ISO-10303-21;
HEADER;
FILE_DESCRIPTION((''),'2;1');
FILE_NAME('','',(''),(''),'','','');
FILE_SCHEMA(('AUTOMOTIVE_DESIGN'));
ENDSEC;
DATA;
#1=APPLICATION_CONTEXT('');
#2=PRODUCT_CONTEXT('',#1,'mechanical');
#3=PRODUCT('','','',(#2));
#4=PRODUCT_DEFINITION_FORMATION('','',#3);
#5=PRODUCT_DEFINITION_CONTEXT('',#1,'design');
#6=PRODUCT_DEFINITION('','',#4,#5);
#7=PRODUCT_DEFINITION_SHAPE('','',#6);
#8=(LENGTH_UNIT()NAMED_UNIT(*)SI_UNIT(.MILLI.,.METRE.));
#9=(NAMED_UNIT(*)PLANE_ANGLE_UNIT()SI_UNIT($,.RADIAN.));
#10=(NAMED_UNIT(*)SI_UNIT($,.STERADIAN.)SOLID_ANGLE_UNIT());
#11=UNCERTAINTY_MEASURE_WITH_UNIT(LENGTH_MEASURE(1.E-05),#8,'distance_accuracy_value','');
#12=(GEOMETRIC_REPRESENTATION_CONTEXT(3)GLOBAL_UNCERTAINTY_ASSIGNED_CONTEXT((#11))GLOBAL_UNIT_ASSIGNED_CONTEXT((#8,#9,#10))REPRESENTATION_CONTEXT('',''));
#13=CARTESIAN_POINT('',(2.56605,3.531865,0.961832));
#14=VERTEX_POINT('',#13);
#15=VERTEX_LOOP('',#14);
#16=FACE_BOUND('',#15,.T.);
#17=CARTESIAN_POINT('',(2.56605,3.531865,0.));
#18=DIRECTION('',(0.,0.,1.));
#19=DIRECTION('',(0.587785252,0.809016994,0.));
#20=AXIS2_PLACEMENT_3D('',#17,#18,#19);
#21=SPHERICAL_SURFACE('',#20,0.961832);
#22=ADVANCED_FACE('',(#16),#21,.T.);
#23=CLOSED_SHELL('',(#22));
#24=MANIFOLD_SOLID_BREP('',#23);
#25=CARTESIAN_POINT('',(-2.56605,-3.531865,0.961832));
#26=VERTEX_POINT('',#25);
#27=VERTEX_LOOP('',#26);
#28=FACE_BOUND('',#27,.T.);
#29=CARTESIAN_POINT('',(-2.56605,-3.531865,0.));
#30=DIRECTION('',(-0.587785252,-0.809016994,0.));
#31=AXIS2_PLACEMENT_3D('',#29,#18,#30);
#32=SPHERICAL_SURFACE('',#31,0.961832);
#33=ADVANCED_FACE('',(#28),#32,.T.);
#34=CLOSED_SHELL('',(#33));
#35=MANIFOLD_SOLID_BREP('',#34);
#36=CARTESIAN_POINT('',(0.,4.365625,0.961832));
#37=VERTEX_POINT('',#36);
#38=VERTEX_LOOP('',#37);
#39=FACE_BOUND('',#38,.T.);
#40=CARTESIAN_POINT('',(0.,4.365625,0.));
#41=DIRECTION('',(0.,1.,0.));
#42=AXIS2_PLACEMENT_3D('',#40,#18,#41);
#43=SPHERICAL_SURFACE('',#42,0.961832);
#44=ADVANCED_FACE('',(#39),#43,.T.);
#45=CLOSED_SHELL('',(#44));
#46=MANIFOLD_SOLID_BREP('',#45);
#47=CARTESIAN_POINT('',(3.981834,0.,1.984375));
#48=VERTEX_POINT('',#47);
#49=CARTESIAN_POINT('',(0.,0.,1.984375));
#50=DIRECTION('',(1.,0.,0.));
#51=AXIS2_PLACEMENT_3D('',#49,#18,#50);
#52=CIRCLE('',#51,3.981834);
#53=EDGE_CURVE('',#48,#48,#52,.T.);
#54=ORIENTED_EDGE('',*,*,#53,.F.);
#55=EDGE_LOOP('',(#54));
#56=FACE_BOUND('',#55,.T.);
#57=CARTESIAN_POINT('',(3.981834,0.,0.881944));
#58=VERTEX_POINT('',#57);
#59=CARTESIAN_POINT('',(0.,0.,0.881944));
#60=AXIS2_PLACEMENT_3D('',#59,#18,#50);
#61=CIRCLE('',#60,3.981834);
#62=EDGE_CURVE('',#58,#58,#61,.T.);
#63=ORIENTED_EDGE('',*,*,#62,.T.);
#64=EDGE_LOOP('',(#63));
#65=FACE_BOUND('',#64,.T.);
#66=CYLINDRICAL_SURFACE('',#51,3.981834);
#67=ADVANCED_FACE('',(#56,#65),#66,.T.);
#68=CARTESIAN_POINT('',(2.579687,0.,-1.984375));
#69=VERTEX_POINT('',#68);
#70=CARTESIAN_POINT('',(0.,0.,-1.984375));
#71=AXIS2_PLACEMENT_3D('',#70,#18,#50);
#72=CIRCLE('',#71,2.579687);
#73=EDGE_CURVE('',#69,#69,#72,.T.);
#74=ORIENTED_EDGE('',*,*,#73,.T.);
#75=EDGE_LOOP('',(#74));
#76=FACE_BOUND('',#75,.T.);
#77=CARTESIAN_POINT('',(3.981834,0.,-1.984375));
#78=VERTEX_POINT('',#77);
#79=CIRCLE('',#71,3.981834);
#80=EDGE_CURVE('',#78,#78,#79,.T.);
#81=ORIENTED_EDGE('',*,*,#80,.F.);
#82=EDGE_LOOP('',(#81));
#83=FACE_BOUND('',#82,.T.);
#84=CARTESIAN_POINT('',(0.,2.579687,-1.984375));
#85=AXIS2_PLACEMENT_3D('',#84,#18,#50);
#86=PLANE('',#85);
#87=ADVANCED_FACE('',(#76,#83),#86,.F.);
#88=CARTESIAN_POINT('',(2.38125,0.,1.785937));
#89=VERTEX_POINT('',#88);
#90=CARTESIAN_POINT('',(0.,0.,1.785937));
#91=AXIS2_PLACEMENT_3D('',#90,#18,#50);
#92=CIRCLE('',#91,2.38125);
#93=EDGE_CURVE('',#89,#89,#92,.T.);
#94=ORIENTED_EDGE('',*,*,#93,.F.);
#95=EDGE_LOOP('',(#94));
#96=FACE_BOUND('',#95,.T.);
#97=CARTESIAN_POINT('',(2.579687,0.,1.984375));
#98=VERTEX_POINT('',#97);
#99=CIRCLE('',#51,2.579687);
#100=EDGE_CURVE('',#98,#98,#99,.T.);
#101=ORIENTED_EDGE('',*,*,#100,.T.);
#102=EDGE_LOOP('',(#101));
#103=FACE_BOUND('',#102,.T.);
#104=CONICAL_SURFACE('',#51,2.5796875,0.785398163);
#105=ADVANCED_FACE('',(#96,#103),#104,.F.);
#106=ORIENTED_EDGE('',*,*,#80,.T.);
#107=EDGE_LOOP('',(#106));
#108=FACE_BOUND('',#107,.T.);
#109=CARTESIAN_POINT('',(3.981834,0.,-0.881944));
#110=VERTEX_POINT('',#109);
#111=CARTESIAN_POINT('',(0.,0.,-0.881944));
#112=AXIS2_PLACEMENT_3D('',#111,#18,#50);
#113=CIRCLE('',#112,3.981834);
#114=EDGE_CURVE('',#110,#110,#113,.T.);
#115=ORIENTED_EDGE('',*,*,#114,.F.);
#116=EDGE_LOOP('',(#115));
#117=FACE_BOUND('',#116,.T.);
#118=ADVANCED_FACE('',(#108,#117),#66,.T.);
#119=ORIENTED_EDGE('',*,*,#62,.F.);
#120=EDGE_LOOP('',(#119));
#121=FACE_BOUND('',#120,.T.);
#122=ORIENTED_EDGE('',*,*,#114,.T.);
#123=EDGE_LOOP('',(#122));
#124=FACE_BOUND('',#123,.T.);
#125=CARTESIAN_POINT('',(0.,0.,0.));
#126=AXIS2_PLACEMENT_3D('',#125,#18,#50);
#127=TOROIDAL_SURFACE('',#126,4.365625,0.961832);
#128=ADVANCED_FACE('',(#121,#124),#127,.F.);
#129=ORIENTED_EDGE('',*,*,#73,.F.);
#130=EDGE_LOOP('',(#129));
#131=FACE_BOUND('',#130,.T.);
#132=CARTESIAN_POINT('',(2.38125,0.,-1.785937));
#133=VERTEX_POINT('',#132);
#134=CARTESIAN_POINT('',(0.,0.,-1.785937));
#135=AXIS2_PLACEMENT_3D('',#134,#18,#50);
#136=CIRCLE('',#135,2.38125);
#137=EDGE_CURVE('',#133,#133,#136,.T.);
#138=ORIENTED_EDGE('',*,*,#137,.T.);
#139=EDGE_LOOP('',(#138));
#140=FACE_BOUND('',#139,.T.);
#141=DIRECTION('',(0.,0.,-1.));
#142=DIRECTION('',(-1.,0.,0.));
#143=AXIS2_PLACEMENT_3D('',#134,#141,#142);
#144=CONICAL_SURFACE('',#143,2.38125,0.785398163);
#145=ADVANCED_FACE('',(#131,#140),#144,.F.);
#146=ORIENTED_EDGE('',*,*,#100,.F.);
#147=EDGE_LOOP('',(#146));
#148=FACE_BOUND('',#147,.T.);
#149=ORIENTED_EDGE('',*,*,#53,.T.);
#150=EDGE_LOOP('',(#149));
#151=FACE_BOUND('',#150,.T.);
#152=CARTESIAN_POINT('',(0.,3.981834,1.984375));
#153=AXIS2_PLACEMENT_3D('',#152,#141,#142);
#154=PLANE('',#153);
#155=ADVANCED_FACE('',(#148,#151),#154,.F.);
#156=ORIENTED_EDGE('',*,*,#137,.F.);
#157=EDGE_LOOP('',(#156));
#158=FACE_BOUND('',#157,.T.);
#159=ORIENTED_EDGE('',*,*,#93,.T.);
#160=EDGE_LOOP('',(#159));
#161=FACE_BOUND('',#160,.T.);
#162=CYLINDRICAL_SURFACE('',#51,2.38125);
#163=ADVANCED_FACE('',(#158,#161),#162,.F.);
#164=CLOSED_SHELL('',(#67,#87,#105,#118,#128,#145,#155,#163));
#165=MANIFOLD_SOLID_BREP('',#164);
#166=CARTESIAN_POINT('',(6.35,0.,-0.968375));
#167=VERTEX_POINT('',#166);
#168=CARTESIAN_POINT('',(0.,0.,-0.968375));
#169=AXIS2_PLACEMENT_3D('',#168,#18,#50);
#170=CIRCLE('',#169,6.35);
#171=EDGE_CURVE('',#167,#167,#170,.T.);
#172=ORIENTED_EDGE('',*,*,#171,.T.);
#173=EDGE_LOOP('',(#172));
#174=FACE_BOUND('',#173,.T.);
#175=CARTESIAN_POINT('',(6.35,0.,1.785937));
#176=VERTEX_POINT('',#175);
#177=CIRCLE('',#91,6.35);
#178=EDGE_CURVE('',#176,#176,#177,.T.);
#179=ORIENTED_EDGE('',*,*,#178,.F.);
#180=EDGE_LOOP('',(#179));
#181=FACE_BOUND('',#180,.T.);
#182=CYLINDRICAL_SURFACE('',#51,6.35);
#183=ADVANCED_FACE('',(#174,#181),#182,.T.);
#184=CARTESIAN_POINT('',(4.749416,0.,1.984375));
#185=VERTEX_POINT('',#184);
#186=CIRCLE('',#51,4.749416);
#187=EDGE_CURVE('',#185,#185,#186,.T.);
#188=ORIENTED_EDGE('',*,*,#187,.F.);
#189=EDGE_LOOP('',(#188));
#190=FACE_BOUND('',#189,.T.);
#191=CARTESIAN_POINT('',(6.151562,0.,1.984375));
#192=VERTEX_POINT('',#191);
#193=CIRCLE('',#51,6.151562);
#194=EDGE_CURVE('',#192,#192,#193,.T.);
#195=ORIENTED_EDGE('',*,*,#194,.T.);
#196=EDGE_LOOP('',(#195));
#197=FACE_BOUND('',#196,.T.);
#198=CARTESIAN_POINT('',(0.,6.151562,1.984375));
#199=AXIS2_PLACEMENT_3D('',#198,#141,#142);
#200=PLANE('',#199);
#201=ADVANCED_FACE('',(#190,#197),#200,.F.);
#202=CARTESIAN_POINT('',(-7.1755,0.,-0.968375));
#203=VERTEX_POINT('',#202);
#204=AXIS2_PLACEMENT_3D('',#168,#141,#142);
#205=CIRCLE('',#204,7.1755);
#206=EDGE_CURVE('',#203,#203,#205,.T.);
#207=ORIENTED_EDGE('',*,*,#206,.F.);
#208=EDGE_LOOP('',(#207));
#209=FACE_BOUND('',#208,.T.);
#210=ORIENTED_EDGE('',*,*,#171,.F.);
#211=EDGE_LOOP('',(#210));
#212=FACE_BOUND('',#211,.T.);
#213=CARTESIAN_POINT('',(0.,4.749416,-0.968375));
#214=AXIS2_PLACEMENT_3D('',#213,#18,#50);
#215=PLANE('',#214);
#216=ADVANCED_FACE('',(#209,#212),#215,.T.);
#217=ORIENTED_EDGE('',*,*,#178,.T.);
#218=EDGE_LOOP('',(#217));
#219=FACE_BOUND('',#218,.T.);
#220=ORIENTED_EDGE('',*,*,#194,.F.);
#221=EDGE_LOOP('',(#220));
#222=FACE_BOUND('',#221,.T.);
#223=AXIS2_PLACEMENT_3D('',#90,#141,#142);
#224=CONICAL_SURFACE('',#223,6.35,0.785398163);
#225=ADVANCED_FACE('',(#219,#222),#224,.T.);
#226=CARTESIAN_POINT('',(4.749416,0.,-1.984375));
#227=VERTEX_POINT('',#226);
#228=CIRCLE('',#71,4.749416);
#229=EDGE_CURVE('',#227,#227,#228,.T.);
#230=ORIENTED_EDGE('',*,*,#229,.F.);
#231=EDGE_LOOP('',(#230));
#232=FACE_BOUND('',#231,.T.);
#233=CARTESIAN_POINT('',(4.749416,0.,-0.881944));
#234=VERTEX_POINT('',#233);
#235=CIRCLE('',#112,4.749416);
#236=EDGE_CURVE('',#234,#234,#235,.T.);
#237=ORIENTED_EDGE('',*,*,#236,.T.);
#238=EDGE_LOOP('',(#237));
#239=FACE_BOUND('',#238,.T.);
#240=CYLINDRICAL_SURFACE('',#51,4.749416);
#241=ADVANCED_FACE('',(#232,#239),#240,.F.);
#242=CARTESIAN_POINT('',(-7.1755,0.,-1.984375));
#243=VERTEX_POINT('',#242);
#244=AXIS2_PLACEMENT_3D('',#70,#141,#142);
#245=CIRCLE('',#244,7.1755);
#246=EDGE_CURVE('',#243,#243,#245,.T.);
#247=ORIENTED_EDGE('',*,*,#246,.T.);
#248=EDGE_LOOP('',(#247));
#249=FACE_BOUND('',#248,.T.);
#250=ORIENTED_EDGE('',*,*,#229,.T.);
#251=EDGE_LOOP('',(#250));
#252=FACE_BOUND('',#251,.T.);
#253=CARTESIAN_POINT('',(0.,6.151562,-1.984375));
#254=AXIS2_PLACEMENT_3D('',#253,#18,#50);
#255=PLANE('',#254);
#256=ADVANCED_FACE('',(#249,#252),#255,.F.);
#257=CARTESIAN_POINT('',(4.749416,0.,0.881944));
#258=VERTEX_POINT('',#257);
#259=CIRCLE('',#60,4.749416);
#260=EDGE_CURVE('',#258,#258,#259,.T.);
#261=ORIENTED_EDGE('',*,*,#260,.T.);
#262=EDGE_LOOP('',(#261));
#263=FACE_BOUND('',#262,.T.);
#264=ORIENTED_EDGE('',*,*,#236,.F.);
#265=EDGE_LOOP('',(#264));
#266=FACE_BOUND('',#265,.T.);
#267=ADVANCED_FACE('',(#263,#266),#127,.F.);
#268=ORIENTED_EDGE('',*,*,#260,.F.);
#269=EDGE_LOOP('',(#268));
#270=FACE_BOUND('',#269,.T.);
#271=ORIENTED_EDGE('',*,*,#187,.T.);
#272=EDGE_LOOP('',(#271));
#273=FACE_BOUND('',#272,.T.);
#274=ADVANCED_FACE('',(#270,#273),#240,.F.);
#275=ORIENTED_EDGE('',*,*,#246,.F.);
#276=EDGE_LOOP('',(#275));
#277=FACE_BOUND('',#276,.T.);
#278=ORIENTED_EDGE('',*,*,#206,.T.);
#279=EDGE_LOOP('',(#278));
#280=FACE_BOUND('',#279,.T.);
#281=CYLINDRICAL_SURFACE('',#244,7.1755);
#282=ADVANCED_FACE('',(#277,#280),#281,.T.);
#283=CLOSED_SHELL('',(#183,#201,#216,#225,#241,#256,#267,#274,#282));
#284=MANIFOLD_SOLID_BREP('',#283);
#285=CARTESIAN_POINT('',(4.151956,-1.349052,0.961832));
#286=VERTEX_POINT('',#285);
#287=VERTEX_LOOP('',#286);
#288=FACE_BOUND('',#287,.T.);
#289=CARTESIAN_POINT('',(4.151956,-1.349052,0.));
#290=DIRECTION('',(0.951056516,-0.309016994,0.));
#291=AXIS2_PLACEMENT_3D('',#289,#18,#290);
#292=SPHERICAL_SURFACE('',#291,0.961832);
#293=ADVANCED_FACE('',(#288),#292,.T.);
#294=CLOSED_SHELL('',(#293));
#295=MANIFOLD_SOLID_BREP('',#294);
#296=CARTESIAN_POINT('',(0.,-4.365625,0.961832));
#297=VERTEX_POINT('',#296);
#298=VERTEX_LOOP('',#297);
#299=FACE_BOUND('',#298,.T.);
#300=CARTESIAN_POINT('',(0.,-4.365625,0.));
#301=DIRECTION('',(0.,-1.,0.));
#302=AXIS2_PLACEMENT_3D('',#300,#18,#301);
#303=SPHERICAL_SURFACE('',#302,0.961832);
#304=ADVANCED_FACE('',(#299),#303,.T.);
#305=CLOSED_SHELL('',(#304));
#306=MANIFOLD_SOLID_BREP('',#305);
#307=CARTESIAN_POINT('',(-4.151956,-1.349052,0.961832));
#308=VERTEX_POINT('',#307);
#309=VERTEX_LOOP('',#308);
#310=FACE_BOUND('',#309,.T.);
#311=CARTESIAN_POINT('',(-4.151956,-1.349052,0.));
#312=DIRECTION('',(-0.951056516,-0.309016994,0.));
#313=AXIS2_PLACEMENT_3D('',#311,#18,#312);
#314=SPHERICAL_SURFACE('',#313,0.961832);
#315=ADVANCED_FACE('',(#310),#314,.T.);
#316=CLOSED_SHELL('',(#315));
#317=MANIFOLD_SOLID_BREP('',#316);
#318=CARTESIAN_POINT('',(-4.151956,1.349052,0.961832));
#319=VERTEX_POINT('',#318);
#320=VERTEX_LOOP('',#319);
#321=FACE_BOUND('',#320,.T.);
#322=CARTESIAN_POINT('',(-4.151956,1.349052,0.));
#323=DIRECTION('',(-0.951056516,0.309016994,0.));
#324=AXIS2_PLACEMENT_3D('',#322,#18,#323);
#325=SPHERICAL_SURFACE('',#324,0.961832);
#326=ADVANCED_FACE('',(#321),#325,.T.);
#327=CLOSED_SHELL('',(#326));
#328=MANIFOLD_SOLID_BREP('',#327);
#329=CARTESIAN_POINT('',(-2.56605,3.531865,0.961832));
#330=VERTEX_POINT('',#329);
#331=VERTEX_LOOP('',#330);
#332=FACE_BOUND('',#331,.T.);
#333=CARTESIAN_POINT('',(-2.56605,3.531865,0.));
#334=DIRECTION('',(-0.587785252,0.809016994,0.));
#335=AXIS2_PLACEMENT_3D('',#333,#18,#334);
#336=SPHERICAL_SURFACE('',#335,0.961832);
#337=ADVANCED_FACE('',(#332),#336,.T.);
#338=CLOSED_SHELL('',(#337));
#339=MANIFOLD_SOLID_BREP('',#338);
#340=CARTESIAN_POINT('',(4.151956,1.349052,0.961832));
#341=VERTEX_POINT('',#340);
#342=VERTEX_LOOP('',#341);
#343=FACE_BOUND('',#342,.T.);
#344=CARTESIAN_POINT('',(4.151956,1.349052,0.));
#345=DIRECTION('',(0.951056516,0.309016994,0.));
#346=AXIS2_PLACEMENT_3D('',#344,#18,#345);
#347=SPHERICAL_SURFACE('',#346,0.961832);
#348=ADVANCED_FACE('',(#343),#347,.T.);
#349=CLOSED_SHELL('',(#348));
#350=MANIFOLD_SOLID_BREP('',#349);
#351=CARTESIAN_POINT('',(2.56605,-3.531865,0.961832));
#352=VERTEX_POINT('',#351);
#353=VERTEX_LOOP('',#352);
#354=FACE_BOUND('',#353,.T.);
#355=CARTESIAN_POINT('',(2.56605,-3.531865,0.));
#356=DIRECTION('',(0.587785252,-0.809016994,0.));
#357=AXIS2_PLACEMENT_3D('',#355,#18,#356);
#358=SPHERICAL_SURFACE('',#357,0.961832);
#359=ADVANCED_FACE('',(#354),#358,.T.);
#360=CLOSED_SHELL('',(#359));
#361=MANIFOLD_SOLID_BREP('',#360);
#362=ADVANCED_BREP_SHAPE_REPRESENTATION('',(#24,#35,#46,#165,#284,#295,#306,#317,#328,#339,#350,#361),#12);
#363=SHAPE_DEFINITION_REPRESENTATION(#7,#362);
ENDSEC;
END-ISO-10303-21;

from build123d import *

# Parameters (mm, degrees)
CIRPATTERN1_COUNT = 10
SKETCH6_W         = 1.016
SKETCH6_H         = 2.426083791


with BuildPart() as part:
    # Sketch1 → Revolve1 (revolve)
    with BuildSketch(Plane(origin=(0, 0, 0), x_dir=(0, 0, -1), z_dir=(1, 0, 0))):
        with BuildLine():
            Line((1.7859375, 6.35), (-1.7859375, 6.35))
            Line((-1.7859375, 6.35), (-1.984375, 6.1515625))
            Line((-1.984375, 6.1515625), (-1.984375, 4.749416209))
            Line((-1.984375, 4.749416209), (-0.881944444, 4.749416209))
            ThreePointArc((-0.881944444, 4.749416209), (0, 5.327457467), (0.881944444, 4.749416209))
            Line((0.881944444, 4.749416209), (1.984375, 4.749416209))
            Line((1.984375, 4.749416209), (1.984375, 6.1515625))
            Line((1.984375, 6.1515625), (1.7859375, 6.35))
        make_face()
    revolve(axis=Axis((0, 0, 1.984375), (0, 0, -1)))

    # Sketch6 → Revolve6 (revolve)
    with BuildSketch(Plane(origin=(0, 0, 0), x_dir=(0, 0, -1), z_dir=(1, 0, 0))):
        with Locations((1.476375, 5.962458105)):
            Rectangle(SKETCH6_W, SKETCH6_H)
    revolve(axis=Axis((0, 0, -1.984375), (0, 0, 1)))


with BuildPart() as body_2:
    # Sketch3 → Revolve3 (revolve)
    with BuildSketch(Plane(origin=(0, 0, 0), x_dir=(0, 0, -1), z_dir=(1, 0, 0))):
        with BuildLine():
            Line((-1.984375, 3.981833791), (-0.881944444, 3.981833791))
            ThreePointArc((-0.881944444, 3.981833791), (0, 3.403792533), (0.881944444, 3.981833791))
            Line((0.881944444, 3.981833791), (1.984375, 3.981833791))
            Line((1.984375, 3.981833791), (1.984375, 2.5796875))
            Line((1.984375, 2.5796875), (1.7859375, 2.38125))
            Line((1.7859375, 2.38125), (-1.7859375, 2.38125))
            Line((-1.7859375, 2.38125), (-1.984375, 2.5796875))
            Line((-1.984375, 2.5796875), (-1.984375, 3.981833791))
        make_face()
    revolve(axis=Axis((0, 0, 1.984375), (0, 0, -1)))


with BuildPart() as body_3:
    # Sketch4 → Revolve4 (revolve)
    with BuildSketch(Plane(origin=(0, 0, 0), x_dir=(0, 0, -1), z_dir=(1, 0, 0))):
        with BuildLine():
            Line((-0.961832467, 4.365625), (0.961832467, 4.365625))
            ThreePointArc((0.961832467, 4.365625), (0, 5.327457467), (-0.961832467, 4.365625))
        make_face()
    revolve(axis=Axis((0, 4.365625, 0.961832467), (0, 0, -1)))


with BuildPart() as cirpattern1_1:
    # CirPattern1: pattern copy
    add(body_3.part.rotate(Axis((0, 0, -1.984375), (0, 0, 1)), 1 * 360 / CIRPATTERN1_COUNT))


with BuildPart() as cirpattern1_2:
    # CirPattern1: pattern copy
    add(body_3.part.rotate(Axis((0, 0, -1.984375), (0, 0, 1)), 2 * 360 / CIRPATTERN1_COUNT))


with BuildPart() as cirpattern1_3:
    # CirPattern1: pattern copy
    add(body_3.part.rotate(Axis((0, 0, -1.984375), (0, 0, 1)), 3 * 360 / CIRPATTERN1_COUNT))


with BuildPart() as cirpattern1_4:
    # CirPattern1: pattern copy
    add(body_3.part.rotate(Axis((0, 0, -1.984375), (0, 0, 1)), 4 * 360 / CIRPATTERN1_COUNT))


with BuildPart() as cirpattern1_5:
    # CirPattern1: pattern copy
    add(body_3.part.rotate(Axis((0, 0, -1.984375), (0, 0, 1)), 5 * 360 / CIRPATTERN1_COUNT))


with BuildPart() as cirpattern1_6:
    # CirPattern1: pattern copy
    add(body_3.part.rotate(Axis((0, 0, -1.984375), (0, 0, 1)), 6 * 360 / CIRPATTERN1_COUNT))


with BuildPart() as cirpattern1_7:
    # CirPattern1: pattern copy
    add(body_3.part.rotate(Axis((0, 0, -1.984375), (0, 0, 1)), 7 * 360 / CIRPATTERN1_COUNT))


with BuildPart() as cirpattern1_8:
    # CirPattern1: pattern copy
    add(body_3.part.rotate(Axis((0, 0, -1.984375), (0, 0, 1)), 8 * 360 / CIRPATTERN1_COUNT))


with BuildPart() as cirpattern1_9:
    # CirPattern1: pattern copy
    add(body_3.part.rotate(Axis((0, 0, -1.984375), (0, 0, 1)), 9 * 360 / CIRPATTERN1_COUNT))


solid = Compound([part.part, body_2.part, body_3.part, cirpattern1_1.part, cirpattern1_2.part, cirpattern1_3.part, cirpattern1_4.part, cirpattern1_5.part, cirpattern1_6.part, cirpattern1_7.part, cirpattern1_8.part, cirpattern1_9.part])
